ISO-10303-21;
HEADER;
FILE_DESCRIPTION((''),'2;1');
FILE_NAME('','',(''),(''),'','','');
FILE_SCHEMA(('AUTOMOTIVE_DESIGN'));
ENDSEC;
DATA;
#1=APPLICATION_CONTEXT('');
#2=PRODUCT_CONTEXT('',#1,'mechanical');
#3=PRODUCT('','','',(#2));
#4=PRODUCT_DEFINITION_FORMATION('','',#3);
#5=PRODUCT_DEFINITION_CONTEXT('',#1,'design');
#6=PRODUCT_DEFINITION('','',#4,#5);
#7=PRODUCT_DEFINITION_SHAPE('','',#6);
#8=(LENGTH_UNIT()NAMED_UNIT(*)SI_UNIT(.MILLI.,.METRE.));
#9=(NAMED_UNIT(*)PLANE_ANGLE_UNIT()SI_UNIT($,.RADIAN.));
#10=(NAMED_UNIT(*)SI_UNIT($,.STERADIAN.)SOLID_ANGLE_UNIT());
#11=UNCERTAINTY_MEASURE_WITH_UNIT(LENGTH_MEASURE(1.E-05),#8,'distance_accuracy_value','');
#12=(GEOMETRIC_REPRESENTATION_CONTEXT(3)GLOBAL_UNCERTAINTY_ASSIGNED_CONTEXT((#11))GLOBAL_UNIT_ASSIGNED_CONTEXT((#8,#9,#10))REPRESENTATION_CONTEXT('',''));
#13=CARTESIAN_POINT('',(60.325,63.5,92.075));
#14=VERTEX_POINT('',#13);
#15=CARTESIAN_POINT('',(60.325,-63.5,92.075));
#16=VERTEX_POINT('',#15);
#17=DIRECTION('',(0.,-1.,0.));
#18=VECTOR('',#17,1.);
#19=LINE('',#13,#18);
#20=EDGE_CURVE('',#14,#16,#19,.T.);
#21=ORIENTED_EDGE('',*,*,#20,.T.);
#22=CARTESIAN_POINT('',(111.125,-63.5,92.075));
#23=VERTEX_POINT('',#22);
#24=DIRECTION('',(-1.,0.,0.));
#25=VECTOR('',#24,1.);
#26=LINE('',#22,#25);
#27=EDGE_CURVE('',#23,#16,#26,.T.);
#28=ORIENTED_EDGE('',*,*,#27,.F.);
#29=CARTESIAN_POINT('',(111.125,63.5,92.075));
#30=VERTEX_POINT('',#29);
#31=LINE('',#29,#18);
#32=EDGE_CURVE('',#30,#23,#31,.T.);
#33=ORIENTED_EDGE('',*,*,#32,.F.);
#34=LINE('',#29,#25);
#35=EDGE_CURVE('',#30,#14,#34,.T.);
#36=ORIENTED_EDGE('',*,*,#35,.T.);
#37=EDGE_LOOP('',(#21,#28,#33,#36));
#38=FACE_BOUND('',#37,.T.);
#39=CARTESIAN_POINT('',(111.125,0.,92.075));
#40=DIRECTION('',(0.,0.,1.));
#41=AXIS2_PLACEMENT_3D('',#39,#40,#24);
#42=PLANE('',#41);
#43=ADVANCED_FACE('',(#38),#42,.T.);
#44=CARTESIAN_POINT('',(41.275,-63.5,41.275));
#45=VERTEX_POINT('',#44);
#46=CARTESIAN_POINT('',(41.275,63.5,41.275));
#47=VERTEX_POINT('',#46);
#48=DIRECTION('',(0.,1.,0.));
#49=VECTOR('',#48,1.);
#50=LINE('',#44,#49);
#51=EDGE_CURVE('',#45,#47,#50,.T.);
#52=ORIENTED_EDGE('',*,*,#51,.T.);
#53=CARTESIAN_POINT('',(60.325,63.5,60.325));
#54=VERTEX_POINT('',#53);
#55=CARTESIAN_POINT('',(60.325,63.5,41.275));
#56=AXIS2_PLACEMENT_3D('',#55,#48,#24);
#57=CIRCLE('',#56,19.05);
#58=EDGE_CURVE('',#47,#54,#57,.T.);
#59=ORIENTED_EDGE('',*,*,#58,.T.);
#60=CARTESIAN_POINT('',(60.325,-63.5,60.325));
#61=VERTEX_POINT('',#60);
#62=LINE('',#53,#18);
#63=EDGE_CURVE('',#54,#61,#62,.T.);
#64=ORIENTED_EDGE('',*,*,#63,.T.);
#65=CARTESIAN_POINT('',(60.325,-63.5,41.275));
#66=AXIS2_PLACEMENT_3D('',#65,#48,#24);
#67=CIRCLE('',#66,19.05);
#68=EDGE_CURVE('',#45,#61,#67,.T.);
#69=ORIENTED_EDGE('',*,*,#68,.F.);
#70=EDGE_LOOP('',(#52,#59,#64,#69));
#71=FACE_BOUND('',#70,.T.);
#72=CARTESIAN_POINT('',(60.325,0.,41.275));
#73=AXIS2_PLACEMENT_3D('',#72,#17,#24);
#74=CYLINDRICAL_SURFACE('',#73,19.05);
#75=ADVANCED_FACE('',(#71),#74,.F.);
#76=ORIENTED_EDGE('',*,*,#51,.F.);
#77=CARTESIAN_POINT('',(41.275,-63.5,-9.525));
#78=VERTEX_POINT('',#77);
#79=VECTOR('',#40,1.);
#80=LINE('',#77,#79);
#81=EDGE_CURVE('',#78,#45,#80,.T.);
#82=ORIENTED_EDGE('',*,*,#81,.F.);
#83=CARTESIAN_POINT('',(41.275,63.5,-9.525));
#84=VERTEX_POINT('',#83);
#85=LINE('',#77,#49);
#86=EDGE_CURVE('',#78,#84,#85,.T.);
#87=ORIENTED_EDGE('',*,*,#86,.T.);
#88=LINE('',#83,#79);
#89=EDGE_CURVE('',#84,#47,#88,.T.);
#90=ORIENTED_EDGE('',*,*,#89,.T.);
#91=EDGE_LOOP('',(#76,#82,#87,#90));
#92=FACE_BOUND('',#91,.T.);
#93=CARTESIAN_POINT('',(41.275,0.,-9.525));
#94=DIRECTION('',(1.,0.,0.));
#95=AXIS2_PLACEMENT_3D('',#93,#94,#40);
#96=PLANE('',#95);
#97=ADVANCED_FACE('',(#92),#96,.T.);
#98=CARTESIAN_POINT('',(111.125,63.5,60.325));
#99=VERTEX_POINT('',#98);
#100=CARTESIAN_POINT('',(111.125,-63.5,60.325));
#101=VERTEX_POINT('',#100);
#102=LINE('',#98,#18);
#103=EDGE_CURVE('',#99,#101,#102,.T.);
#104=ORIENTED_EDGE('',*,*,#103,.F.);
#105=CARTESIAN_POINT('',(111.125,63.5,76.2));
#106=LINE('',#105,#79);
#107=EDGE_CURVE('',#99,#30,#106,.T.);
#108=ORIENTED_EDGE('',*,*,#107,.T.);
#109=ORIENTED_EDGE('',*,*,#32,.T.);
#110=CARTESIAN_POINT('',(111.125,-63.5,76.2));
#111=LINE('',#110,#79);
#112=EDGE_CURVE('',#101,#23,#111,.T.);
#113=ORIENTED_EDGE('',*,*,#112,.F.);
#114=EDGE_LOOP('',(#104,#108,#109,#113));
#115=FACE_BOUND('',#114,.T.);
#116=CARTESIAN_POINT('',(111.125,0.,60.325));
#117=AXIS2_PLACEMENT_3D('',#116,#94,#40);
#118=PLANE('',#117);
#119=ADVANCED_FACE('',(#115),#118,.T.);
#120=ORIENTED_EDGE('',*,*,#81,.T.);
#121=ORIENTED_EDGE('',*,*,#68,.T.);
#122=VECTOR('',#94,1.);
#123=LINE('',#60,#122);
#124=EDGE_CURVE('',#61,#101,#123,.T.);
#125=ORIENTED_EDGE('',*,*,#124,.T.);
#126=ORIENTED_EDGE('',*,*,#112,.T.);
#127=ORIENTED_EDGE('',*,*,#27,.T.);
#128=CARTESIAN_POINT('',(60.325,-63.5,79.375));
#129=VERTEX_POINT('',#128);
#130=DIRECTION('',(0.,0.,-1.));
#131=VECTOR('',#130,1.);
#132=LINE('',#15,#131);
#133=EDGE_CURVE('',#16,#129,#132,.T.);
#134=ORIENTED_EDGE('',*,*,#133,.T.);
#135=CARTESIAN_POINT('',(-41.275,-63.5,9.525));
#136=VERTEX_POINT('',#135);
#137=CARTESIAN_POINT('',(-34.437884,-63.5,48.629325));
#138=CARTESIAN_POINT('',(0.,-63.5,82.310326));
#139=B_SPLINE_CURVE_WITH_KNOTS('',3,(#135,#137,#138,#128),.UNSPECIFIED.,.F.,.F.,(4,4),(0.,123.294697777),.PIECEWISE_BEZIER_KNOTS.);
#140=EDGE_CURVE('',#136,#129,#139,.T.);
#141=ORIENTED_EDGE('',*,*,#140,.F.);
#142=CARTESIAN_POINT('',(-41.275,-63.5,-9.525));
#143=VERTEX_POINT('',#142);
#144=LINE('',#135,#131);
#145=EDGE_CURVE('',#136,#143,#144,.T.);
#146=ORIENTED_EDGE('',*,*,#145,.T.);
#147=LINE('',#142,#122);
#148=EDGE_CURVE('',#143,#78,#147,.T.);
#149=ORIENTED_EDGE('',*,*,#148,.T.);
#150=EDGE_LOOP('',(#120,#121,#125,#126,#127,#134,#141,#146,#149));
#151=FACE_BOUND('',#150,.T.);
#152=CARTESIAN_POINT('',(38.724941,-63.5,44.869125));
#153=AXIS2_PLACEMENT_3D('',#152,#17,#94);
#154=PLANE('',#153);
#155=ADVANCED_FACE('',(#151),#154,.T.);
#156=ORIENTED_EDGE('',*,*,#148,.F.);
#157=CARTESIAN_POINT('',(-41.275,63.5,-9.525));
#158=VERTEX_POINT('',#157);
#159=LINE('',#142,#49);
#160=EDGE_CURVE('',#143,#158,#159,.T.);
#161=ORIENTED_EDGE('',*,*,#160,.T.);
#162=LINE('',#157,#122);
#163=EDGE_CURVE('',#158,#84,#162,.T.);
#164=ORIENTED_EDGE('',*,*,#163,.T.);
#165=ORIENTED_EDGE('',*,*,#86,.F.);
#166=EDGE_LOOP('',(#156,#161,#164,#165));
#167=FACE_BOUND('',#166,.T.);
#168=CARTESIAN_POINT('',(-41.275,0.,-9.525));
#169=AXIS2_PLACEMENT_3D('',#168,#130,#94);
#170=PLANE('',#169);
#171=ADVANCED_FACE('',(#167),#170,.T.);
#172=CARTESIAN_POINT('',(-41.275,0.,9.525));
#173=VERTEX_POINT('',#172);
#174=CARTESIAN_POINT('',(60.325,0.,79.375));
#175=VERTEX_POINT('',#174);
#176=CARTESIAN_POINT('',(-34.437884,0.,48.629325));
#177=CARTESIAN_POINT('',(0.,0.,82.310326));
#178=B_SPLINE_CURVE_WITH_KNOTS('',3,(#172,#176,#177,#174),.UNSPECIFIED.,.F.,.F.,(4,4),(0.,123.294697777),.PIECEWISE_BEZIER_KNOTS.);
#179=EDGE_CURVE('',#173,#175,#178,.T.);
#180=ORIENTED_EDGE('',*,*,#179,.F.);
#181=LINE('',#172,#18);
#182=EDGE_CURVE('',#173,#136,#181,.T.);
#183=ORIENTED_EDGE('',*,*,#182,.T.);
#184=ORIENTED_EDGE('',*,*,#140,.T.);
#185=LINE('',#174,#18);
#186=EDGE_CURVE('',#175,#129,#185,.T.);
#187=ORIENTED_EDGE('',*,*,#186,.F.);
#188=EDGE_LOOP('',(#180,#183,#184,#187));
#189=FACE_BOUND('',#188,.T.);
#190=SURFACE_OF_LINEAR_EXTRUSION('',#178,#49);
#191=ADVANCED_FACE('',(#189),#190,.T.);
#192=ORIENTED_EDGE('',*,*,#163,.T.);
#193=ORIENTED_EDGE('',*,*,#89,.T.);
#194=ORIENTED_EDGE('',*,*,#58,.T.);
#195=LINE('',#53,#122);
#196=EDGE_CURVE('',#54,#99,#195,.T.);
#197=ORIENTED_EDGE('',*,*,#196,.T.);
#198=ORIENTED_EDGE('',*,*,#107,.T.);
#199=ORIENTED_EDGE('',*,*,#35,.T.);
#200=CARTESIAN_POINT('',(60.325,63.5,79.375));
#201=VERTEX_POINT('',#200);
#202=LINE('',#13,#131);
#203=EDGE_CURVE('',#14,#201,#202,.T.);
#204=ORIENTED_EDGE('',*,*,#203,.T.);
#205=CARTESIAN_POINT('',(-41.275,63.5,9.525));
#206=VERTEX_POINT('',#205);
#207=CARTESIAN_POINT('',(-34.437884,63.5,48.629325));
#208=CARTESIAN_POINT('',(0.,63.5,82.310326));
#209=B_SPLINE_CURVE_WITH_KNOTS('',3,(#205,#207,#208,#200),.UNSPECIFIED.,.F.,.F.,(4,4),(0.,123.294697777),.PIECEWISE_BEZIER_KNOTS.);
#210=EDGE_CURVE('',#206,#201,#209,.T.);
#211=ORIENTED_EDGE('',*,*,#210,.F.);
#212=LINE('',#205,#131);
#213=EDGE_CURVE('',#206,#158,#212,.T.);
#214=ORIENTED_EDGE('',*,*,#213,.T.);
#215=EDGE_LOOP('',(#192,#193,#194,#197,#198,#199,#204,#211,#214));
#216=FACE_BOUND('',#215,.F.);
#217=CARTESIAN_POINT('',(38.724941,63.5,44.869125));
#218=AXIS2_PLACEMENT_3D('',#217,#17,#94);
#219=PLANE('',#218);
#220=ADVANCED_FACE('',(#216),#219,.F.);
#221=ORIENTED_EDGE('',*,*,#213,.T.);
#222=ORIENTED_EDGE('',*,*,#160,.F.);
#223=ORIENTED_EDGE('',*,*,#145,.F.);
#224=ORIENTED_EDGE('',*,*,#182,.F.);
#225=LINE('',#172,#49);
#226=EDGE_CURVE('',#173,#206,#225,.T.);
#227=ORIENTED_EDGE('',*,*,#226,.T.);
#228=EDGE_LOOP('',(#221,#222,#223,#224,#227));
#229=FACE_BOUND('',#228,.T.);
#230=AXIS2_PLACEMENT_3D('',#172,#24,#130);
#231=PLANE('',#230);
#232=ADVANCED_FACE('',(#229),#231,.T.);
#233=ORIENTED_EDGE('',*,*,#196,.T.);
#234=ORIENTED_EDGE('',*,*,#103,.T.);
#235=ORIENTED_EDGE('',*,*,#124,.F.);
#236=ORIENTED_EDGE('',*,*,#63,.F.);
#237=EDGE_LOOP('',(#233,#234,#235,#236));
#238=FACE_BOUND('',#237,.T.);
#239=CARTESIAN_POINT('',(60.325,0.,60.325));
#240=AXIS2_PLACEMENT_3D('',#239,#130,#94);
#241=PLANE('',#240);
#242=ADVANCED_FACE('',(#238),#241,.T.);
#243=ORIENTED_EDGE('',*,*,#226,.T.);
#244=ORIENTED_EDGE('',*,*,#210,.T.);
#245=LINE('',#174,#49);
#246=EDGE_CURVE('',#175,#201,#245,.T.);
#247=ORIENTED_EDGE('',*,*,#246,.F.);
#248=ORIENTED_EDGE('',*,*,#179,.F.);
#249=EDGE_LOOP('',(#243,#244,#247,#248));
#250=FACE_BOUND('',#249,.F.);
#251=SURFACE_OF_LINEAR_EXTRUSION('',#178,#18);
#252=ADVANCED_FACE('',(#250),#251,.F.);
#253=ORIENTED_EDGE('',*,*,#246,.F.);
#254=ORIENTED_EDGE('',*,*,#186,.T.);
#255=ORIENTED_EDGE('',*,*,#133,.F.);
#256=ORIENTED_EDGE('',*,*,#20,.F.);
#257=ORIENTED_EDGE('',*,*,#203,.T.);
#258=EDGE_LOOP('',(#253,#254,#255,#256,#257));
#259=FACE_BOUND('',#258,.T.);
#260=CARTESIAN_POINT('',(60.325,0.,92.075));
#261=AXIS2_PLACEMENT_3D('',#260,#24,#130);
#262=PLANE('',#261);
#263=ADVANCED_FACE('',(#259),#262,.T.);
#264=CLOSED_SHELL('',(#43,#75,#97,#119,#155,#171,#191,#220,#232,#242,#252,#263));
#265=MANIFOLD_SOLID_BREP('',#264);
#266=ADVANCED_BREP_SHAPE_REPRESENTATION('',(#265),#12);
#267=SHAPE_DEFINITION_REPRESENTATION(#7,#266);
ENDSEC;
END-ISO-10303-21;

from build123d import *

# Parameters (mm, degrees)
F0_W     = 25.4
F0_H     = 31.75
F1_DEPTH = 63.5


with BuildPart() as f1:
    # F0 (on Front) → F1 (new body, symmetric)
    with BuildSketch(Plane.XZ):
        with BuildLine():
            Line((22.225, 9.525), (41.275, 9.525))
            Line((41.275, 9.525), (41.275, 41.275))
            ThreePointArc((41.275, 41.275), (46.8546158184, 54.7453841816), (60.325, 60.325))
            Line((60.325, 60.325), (60.325, 79.375))
            ThreePointArc((60.325, 79.375), (33.3842316368, 68.2157683632), (22.225, 41.275))
            Line((22.225, 41.275), (22.225, 9.525))
        make_face()
        with BuildLine():
            add(Edge.make_bspline(
                [(-41.275, 9.525), (-34.4378836453, 48.6293248832), (0, 82.3103263974), (60.325, 79.375)],
                knots=[0, 0, 0, 0, 123.2946977773, 123.2946977773, 123.2946977773, 123.2946977773], degree=3))
            Line((-41.275, 9.525), (22.225, 9.525))
            Line((22.225, 9.525), (22.225, 41.275))
            ThreePointArc((22.225, 41.275), (33.3842316368, 68.2157683632), (60.325, 79.375))
        make_face()
        Polygon((60.325, 92.075), (60.325, 79.375), (60.325, 60.325), (85.725, 60.325), (85.725, 92.075), align=None)
        with Locations((98.425, 76.2)):
            Rectangle(F0_W, F0_H)
        Polygon((-41.275, 9.525), (-41.275, -9.525), (41.275, -9.525), (41.275, 9.525), (22.225, 9.525), align=None)
    extrude(amount=F1_DEPTH, both=True)


solid = f1.part
